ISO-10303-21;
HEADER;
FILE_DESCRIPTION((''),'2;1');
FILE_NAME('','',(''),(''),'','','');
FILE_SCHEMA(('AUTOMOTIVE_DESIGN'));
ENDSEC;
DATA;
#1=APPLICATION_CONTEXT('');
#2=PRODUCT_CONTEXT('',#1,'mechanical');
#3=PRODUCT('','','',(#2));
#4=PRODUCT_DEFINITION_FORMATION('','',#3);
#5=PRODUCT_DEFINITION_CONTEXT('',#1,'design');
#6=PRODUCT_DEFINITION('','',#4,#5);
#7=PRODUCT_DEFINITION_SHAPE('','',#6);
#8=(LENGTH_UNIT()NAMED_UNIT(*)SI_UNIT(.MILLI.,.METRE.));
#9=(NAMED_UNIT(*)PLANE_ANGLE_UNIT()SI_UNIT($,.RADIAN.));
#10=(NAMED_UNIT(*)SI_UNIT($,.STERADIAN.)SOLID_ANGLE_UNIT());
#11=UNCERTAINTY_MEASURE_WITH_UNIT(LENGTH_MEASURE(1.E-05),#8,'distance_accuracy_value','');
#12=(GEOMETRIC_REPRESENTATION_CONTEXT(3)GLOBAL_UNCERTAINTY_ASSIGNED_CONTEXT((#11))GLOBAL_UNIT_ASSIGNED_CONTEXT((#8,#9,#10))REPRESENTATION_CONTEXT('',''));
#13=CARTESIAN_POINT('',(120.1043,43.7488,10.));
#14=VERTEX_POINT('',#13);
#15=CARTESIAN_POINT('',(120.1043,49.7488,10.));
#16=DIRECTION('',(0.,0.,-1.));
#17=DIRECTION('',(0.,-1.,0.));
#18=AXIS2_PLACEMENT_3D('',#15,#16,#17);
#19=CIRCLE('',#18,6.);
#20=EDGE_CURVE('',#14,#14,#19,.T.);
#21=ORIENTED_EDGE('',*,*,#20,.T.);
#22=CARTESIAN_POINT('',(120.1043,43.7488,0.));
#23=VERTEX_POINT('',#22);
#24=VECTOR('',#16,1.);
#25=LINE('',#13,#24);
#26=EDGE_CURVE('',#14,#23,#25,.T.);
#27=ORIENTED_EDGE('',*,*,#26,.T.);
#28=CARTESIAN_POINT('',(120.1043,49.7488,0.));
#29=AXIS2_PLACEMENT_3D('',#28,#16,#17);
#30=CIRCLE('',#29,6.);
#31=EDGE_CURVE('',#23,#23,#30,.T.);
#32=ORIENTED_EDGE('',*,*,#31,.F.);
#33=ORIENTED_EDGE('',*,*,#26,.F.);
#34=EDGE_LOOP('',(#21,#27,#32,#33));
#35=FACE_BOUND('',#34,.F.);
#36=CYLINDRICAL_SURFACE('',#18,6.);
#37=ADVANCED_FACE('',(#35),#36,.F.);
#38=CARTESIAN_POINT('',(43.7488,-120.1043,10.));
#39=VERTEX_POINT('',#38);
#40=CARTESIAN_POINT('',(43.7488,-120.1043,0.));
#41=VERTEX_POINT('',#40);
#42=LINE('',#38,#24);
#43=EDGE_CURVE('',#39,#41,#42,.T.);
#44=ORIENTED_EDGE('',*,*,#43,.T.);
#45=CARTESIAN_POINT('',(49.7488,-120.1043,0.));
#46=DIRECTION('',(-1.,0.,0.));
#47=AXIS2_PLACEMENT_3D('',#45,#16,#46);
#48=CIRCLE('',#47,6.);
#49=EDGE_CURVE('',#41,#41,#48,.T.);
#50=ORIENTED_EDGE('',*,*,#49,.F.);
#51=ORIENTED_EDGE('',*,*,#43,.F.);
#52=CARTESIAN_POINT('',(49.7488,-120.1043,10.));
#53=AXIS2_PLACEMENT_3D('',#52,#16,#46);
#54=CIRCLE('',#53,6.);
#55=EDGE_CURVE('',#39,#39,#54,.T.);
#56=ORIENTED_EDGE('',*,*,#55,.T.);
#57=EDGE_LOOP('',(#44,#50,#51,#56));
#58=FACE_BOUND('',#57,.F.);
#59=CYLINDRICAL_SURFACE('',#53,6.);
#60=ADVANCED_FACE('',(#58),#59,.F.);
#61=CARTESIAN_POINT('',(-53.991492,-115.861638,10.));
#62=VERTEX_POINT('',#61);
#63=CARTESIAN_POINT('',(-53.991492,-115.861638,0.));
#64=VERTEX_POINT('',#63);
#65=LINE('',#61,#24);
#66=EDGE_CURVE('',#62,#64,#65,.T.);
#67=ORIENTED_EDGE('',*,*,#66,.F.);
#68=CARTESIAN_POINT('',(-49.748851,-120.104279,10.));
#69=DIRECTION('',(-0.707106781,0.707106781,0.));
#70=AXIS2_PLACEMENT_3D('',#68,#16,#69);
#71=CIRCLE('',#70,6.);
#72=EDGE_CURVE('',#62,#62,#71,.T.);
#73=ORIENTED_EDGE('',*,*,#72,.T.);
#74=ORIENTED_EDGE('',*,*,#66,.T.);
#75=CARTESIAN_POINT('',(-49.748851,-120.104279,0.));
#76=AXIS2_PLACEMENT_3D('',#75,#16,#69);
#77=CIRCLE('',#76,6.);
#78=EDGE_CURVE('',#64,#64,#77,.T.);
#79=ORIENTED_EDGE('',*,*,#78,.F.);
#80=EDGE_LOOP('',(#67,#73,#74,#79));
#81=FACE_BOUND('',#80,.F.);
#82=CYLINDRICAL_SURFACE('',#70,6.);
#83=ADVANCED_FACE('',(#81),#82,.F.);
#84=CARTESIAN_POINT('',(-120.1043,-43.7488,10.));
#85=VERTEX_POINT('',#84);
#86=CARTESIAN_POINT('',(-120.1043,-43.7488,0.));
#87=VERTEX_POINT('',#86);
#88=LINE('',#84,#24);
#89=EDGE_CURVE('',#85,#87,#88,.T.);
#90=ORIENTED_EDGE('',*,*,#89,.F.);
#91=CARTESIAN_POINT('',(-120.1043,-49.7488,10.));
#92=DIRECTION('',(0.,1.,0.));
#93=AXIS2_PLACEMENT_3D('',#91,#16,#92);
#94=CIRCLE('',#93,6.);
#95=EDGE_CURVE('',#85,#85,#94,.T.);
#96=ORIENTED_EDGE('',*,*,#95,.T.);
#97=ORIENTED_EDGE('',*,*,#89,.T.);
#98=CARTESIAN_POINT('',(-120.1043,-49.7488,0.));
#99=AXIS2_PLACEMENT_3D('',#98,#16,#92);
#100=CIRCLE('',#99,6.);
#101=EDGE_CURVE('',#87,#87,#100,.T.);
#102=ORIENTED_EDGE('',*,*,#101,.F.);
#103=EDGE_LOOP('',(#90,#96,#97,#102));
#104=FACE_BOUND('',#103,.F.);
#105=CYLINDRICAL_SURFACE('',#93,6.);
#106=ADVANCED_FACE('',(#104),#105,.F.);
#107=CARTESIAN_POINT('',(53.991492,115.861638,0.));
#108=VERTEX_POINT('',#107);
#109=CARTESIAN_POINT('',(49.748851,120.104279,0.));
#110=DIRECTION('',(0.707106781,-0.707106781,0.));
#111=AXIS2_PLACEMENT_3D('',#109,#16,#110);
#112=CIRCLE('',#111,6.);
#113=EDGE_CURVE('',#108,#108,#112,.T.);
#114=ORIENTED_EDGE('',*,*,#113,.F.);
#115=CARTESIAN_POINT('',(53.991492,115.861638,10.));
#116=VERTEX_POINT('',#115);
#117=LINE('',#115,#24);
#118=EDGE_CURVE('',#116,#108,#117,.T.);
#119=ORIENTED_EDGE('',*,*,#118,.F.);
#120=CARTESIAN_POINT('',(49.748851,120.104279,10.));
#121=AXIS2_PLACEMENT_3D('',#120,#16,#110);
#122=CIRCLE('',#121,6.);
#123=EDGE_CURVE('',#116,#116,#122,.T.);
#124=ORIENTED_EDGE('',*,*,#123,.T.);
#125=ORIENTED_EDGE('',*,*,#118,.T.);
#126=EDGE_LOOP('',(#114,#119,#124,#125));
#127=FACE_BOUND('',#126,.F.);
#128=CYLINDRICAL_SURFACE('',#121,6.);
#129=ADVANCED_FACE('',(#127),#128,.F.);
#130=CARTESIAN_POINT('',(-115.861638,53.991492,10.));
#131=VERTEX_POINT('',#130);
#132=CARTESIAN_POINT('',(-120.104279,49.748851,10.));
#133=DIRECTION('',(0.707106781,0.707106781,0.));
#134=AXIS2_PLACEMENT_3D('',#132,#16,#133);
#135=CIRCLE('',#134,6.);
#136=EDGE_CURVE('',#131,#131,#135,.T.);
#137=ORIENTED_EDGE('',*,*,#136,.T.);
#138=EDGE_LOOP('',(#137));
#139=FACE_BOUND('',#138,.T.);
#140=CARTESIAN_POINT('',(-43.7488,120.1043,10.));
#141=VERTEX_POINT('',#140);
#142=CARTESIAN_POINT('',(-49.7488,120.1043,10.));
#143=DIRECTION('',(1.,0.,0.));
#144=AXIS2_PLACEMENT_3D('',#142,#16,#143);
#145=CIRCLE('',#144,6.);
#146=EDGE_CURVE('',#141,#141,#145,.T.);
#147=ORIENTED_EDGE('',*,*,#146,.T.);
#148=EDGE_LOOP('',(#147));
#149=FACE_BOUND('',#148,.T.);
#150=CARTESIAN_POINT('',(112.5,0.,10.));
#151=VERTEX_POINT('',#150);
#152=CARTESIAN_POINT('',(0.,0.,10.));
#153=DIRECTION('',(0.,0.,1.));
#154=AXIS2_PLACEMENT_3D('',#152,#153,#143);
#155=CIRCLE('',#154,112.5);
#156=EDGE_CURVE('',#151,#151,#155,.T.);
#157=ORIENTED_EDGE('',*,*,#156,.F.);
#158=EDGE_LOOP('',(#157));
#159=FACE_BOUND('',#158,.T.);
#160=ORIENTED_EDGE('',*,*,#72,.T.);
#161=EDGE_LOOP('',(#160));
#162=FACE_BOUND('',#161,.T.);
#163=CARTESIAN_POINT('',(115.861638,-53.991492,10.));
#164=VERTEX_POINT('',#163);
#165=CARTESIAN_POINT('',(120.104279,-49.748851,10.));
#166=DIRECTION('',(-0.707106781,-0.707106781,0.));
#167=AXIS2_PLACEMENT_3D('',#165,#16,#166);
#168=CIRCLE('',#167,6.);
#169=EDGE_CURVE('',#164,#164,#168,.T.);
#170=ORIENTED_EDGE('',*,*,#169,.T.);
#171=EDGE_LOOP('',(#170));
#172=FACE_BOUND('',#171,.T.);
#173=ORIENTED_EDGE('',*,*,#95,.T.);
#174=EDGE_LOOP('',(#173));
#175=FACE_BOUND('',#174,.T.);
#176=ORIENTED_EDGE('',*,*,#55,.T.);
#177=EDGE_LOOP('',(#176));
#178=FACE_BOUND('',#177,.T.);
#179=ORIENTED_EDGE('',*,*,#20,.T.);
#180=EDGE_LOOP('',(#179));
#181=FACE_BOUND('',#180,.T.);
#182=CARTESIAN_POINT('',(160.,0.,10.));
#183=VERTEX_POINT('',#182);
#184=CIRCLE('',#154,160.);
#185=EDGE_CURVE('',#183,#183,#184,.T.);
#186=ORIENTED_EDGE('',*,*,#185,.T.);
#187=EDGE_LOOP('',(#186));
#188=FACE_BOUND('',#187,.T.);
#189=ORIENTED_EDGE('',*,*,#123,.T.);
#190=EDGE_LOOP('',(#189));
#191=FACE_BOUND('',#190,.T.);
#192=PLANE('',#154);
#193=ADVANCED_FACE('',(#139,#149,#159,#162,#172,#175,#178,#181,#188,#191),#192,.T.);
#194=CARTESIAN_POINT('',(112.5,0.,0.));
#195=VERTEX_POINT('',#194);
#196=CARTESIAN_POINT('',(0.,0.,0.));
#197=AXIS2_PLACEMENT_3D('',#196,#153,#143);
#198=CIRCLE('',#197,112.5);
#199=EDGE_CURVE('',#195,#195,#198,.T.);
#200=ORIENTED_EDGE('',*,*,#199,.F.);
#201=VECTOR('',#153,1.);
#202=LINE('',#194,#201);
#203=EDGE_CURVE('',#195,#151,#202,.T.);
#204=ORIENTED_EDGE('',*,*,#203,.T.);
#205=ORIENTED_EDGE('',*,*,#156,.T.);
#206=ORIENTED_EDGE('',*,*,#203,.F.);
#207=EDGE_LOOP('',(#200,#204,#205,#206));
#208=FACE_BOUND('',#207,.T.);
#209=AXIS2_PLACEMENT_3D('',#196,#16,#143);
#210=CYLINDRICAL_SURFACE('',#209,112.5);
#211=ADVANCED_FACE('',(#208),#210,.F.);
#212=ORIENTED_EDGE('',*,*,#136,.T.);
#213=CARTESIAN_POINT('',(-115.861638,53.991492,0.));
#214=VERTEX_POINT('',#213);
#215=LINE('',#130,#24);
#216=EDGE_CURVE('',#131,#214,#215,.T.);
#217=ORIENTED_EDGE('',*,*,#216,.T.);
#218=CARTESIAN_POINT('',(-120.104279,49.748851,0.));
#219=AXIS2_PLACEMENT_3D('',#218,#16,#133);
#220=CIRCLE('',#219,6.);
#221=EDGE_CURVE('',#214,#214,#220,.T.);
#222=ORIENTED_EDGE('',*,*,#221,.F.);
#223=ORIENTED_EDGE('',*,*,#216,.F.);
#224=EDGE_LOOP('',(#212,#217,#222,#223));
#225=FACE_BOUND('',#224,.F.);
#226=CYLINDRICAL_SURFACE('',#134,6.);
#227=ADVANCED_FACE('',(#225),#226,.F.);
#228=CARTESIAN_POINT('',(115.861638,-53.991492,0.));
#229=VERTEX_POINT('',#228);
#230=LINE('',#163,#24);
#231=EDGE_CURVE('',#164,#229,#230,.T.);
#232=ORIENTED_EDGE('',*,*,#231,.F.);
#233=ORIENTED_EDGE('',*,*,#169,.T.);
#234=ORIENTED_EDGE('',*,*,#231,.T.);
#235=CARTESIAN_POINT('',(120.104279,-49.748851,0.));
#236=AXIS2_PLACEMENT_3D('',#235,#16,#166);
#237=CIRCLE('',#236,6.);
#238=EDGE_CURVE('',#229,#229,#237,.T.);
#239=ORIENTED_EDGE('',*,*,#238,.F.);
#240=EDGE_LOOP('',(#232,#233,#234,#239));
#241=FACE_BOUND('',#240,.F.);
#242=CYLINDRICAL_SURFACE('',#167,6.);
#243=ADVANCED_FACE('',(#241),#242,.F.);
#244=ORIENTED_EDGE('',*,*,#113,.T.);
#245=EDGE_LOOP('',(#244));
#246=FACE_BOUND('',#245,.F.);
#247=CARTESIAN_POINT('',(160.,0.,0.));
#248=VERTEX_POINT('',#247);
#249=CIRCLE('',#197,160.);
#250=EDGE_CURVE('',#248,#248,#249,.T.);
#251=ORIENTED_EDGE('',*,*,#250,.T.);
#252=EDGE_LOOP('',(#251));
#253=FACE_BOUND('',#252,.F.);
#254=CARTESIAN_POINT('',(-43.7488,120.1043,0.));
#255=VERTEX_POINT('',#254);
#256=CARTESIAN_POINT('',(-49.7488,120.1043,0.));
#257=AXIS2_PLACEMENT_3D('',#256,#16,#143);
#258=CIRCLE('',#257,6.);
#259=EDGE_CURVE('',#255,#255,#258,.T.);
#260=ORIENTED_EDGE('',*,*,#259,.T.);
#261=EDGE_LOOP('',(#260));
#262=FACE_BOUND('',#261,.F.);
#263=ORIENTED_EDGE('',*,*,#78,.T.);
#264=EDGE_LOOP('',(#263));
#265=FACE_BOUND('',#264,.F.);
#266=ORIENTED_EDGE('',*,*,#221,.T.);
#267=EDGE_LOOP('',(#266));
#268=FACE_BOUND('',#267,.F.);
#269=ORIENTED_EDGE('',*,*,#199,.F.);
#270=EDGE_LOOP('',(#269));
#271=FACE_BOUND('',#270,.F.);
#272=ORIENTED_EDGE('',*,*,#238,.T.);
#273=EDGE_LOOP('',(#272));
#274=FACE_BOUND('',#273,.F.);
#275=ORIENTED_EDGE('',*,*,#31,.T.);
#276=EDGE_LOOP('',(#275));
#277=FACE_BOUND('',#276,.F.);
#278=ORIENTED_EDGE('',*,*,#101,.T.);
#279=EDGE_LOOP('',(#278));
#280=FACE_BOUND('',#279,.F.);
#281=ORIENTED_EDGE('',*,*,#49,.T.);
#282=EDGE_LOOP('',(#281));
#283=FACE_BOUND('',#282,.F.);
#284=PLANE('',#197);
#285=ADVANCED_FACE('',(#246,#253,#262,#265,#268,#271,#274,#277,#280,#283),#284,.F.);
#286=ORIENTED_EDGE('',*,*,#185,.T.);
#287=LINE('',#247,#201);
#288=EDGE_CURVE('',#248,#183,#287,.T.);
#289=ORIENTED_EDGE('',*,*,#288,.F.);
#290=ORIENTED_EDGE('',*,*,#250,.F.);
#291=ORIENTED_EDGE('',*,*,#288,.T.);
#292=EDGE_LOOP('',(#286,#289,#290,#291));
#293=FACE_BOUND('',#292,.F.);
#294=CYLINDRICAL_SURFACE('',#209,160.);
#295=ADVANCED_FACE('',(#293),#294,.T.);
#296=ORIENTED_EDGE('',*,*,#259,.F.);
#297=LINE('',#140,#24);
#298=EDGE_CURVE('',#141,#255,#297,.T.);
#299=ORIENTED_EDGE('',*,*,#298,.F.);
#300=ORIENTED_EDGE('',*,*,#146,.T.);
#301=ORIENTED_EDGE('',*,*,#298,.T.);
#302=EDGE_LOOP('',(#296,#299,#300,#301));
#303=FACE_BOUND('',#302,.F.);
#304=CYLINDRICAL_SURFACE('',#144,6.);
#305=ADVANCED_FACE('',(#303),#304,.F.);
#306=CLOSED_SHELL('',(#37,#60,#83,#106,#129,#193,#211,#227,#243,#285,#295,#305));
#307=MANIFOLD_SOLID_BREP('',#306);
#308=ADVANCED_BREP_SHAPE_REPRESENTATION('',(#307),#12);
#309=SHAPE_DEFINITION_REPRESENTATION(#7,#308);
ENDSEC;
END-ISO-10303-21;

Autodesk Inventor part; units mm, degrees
ref_plane "YZ Plane" through (0, 0, 0) normal (1, 0, 0) x (0, 1, 0)
ref_plane "XZ Plane" through (0, 0, 0) normal (0, 1, 0) x (-1, 0, 0)
ref_plane "XY Plane" through (0, 0, 0) normal (0, 0, 1) x (1, 0, 0)
sketch "Эскиз1" plane through (0, 0, 0) normal (0, 0, 1) x (1, 0, 0)
  circle A0 centre (0, 0) radius 112.5
  circle A1 centre (0, 0) radius 160
  dimension "d0" = 225
  dimension "d1" = 320
extrude "Выдавливание1" add sketch "Эскиз1" along normal blind 10
sketch "Эскиз2" plane through (0, 0, 10) normal (0, 0, 1) x (1, 0, 0)
  line L0 (0, 0) -> (120.1043, 49.7488)
  line L1 (-224, 0) -> (224, 0) projected
  dimension "d4" = 130
  dimension "d5" = 22.5
hole "Отверстие1" at (120.1043, 49.7488, 10) direction (0, 0, -1) diameter 12 end through all
pattern_circular "Круговой массив1" count 8 over 360 about axis through (0, 0, 0) along (0, 0, 1) of "Отверстие1"
properties part number "Придав перегородки1" material "Сталь, высокопрочная, низколегированная"
